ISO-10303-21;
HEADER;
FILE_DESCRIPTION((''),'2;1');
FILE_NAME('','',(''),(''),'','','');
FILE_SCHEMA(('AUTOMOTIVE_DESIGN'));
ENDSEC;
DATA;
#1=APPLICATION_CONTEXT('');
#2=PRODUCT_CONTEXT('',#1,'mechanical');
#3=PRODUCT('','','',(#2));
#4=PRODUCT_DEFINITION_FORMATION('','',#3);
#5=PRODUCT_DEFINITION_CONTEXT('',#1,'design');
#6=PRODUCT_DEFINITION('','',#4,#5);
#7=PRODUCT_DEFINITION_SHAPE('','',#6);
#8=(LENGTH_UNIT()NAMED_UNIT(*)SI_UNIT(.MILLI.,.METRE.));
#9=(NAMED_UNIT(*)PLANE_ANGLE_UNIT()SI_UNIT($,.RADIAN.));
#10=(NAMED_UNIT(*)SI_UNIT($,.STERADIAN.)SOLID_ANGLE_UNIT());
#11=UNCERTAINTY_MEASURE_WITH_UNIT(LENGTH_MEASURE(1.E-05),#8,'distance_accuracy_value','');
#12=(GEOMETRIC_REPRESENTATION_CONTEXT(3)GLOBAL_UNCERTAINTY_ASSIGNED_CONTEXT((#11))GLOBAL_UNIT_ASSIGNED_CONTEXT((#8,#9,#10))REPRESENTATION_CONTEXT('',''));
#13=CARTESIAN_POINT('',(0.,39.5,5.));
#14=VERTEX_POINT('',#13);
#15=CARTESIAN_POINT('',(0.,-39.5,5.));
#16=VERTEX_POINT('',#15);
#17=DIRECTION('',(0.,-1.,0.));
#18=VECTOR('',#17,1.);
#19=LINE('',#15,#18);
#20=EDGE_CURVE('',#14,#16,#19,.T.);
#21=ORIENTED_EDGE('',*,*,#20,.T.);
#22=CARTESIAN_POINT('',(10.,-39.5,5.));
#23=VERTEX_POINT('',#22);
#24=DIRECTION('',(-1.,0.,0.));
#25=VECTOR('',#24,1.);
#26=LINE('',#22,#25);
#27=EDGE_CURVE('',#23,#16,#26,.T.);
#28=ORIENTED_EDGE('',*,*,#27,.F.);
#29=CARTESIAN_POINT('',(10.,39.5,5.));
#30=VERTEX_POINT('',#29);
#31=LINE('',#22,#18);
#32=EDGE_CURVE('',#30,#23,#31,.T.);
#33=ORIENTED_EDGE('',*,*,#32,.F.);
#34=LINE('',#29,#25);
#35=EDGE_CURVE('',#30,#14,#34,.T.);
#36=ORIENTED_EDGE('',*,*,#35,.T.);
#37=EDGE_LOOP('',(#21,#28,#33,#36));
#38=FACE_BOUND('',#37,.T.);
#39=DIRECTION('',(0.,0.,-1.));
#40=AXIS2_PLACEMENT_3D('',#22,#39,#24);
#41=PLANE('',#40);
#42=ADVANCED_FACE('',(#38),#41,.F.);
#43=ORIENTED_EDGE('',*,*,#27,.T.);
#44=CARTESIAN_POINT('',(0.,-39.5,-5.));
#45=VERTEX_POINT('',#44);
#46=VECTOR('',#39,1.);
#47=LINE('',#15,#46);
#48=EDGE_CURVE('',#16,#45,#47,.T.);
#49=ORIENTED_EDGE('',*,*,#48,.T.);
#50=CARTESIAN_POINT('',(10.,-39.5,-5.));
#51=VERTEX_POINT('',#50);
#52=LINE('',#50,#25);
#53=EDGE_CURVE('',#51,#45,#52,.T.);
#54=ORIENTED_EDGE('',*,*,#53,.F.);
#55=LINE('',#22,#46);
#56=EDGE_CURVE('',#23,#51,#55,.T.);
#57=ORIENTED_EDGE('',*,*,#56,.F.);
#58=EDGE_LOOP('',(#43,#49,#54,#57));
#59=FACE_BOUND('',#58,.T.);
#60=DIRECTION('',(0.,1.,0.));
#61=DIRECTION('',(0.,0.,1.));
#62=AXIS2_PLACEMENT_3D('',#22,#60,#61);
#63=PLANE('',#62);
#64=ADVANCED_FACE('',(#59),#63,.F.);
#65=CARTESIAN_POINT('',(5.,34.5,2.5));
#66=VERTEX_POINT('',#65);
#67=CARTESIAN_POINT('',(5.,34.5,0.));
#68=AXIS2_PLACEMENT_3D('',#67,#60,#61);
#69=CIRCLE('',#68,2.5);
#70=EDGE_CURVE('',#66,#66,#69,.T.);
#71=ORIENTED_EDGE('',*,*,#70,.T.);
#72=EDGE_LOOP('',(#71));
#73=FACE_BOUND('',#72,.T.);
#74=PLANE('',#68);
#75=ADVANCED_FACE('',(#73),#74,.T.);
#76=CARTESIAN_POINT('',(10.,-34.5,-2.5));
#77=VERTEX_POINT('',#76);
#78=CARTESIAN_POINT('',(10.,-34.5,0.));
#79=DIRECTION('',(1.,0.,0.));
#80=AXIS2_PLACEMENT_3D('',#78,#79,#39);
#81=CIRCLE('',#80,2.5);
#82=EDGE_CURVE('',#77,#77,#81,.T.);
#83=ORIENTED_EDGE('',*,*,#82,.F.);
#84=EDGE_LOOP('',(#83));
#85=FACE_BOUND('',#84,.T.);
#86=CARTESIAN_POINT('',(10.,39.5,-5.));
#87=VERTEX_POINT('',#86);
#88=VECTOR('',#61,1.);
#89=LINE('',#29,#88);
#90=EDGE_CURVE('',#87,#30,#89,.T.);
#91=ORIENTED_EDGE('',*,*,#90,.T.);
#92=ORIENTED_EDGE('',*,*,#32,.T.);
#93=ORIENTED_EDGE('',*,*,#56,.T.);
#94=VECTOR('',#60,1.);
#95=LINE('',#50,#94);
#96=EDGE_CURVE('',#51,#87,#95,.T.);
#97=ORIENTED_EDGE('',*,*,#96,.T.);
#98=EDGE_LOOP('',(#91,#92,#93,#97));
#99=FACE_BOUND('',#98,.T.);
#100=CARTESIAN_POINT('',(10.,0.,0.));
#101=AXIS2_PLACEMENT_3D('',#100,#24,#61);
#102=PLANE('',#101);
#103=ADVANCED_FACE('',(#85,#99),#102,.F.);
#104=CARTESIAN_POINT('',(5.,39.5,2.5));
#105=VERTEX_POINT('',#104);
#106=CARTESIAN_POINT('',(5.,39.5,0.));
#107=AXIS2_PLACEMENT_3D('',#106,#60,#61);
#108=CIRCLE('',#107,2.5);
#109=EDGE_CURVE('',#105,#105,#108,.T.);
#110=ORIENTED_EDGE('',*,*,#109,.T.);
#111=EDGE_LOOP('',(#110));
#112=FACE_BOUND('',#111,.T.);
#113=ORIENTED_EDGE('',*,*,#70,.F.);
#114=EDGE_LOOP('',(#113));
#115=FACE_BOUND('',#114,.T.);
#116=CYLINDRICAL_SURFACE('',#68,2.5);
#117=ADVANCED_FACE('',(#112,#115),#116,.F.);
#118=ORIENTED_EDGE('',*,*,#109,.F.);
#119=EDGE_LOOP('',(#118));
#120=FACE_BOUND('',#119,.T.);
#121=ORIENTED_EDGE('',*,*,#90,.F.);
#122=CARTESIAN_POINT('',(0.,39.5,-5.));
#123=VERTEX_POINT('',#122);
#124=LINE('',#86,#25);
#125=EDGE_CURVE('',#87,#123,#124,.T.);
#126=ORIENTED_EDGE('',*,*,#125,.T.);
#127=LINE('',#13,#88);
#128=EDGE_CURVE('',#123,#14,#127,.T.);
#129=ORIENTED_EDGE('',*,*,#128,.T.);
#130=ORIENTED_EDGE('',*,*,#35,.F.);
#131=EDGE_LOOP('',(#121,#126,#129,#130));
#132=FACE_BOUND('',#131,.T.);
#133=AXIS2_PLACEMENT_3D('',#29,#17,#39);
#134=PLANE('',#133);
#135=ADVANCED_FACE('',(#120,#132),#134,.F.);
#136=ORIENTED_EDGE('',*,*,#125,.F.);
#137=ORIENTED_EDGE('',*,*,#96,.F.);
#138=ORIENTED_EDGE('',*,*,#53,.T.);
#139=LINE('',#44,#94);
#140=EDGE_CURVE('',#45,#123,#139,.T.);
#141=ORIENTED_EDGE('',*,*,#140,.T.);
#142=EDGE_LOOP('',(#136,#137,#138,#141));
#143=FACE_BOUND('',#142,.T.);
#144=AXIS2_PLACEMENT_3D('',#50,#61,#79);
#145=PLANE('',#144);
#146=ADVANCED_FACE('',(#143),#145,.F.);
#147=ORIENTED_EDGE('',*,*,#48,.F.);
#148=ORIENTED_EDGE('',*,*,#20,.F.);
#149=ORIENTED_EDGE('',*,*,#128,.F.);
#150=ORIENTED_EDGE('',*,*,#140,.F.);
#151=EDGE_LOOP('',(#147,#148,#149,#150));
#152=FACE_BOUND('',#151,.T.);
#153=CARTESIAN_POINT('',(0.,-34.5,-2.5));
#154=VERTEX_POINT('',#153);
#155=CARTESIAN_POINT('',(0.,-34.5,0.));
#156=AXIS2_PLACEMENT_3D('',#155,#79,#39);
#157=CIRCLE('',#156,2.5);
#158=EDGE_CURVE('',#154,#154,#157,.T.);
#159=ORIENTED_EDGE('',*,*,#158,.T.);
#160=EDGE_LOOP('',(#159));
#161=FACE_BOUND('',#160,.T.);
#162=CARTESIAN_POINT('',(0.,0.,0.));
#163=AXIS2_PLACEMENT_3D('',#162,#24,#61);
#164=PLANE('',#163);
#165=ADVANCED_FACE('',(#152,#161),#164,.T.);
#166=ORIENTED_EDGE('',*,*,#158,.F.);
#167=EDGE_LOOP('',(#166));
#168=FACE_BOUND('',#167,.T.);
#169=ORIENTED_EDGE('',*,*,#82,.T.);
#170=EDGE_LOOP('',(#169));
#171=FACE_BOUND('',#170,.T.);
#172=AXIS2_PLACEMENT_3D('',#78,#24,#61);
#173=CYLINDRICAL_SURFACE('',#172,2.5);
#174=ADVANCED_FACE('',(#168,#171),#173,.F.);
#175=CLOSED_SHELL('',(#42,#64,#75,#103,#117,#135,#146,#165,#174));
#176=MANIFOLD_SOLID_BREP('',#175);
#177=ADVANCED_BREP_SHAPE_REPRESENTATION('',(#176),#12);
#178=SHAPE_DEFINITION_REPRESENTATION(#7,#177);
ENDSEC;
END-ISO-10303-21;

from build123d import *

# Parameters (mm, degrees)
SKETCH2_W           = 10
SKETCH2_H           = 79
SKETCH2_R           = 2.5
BOSS_EXTRUDE1_DEPTH = 10
SKETCH3_R           = 2.5
CUT_EXTRUDE1_DEPTH  = 5


with BuildPart() as part:
    # Sketch2 → Boss-Extrude1 (new body)
    with BuildSketch(Plane(origin=(0, 0, 0), x_dir=(0, 0, -1), z_dir=(1, 0, 0))):
        Rectangle(SKETCH2_W, SKETCH2_H)
        with Locations((0, -34.5)):
            Circle(SKETCH2_R, mode=Mode.SUBTRACT)
    extrude(amount=BOSS_EXTRUDE1_DEPTH)

    # Sketch3 → Cut-Extrude1 (cut)
    with BuildSketch(Plane(origin=(0, 39.5, 0), x_dir=(1, 0, 0), z_dir=(0, 1, 0))):
        with Locations((5, 0)):
            Circle(SKETCH3_R)
    extrude(amount=-CUT_EXTRUDE1_DEPTH, mode=Mode.SUBTRACT)


solid = part.part
